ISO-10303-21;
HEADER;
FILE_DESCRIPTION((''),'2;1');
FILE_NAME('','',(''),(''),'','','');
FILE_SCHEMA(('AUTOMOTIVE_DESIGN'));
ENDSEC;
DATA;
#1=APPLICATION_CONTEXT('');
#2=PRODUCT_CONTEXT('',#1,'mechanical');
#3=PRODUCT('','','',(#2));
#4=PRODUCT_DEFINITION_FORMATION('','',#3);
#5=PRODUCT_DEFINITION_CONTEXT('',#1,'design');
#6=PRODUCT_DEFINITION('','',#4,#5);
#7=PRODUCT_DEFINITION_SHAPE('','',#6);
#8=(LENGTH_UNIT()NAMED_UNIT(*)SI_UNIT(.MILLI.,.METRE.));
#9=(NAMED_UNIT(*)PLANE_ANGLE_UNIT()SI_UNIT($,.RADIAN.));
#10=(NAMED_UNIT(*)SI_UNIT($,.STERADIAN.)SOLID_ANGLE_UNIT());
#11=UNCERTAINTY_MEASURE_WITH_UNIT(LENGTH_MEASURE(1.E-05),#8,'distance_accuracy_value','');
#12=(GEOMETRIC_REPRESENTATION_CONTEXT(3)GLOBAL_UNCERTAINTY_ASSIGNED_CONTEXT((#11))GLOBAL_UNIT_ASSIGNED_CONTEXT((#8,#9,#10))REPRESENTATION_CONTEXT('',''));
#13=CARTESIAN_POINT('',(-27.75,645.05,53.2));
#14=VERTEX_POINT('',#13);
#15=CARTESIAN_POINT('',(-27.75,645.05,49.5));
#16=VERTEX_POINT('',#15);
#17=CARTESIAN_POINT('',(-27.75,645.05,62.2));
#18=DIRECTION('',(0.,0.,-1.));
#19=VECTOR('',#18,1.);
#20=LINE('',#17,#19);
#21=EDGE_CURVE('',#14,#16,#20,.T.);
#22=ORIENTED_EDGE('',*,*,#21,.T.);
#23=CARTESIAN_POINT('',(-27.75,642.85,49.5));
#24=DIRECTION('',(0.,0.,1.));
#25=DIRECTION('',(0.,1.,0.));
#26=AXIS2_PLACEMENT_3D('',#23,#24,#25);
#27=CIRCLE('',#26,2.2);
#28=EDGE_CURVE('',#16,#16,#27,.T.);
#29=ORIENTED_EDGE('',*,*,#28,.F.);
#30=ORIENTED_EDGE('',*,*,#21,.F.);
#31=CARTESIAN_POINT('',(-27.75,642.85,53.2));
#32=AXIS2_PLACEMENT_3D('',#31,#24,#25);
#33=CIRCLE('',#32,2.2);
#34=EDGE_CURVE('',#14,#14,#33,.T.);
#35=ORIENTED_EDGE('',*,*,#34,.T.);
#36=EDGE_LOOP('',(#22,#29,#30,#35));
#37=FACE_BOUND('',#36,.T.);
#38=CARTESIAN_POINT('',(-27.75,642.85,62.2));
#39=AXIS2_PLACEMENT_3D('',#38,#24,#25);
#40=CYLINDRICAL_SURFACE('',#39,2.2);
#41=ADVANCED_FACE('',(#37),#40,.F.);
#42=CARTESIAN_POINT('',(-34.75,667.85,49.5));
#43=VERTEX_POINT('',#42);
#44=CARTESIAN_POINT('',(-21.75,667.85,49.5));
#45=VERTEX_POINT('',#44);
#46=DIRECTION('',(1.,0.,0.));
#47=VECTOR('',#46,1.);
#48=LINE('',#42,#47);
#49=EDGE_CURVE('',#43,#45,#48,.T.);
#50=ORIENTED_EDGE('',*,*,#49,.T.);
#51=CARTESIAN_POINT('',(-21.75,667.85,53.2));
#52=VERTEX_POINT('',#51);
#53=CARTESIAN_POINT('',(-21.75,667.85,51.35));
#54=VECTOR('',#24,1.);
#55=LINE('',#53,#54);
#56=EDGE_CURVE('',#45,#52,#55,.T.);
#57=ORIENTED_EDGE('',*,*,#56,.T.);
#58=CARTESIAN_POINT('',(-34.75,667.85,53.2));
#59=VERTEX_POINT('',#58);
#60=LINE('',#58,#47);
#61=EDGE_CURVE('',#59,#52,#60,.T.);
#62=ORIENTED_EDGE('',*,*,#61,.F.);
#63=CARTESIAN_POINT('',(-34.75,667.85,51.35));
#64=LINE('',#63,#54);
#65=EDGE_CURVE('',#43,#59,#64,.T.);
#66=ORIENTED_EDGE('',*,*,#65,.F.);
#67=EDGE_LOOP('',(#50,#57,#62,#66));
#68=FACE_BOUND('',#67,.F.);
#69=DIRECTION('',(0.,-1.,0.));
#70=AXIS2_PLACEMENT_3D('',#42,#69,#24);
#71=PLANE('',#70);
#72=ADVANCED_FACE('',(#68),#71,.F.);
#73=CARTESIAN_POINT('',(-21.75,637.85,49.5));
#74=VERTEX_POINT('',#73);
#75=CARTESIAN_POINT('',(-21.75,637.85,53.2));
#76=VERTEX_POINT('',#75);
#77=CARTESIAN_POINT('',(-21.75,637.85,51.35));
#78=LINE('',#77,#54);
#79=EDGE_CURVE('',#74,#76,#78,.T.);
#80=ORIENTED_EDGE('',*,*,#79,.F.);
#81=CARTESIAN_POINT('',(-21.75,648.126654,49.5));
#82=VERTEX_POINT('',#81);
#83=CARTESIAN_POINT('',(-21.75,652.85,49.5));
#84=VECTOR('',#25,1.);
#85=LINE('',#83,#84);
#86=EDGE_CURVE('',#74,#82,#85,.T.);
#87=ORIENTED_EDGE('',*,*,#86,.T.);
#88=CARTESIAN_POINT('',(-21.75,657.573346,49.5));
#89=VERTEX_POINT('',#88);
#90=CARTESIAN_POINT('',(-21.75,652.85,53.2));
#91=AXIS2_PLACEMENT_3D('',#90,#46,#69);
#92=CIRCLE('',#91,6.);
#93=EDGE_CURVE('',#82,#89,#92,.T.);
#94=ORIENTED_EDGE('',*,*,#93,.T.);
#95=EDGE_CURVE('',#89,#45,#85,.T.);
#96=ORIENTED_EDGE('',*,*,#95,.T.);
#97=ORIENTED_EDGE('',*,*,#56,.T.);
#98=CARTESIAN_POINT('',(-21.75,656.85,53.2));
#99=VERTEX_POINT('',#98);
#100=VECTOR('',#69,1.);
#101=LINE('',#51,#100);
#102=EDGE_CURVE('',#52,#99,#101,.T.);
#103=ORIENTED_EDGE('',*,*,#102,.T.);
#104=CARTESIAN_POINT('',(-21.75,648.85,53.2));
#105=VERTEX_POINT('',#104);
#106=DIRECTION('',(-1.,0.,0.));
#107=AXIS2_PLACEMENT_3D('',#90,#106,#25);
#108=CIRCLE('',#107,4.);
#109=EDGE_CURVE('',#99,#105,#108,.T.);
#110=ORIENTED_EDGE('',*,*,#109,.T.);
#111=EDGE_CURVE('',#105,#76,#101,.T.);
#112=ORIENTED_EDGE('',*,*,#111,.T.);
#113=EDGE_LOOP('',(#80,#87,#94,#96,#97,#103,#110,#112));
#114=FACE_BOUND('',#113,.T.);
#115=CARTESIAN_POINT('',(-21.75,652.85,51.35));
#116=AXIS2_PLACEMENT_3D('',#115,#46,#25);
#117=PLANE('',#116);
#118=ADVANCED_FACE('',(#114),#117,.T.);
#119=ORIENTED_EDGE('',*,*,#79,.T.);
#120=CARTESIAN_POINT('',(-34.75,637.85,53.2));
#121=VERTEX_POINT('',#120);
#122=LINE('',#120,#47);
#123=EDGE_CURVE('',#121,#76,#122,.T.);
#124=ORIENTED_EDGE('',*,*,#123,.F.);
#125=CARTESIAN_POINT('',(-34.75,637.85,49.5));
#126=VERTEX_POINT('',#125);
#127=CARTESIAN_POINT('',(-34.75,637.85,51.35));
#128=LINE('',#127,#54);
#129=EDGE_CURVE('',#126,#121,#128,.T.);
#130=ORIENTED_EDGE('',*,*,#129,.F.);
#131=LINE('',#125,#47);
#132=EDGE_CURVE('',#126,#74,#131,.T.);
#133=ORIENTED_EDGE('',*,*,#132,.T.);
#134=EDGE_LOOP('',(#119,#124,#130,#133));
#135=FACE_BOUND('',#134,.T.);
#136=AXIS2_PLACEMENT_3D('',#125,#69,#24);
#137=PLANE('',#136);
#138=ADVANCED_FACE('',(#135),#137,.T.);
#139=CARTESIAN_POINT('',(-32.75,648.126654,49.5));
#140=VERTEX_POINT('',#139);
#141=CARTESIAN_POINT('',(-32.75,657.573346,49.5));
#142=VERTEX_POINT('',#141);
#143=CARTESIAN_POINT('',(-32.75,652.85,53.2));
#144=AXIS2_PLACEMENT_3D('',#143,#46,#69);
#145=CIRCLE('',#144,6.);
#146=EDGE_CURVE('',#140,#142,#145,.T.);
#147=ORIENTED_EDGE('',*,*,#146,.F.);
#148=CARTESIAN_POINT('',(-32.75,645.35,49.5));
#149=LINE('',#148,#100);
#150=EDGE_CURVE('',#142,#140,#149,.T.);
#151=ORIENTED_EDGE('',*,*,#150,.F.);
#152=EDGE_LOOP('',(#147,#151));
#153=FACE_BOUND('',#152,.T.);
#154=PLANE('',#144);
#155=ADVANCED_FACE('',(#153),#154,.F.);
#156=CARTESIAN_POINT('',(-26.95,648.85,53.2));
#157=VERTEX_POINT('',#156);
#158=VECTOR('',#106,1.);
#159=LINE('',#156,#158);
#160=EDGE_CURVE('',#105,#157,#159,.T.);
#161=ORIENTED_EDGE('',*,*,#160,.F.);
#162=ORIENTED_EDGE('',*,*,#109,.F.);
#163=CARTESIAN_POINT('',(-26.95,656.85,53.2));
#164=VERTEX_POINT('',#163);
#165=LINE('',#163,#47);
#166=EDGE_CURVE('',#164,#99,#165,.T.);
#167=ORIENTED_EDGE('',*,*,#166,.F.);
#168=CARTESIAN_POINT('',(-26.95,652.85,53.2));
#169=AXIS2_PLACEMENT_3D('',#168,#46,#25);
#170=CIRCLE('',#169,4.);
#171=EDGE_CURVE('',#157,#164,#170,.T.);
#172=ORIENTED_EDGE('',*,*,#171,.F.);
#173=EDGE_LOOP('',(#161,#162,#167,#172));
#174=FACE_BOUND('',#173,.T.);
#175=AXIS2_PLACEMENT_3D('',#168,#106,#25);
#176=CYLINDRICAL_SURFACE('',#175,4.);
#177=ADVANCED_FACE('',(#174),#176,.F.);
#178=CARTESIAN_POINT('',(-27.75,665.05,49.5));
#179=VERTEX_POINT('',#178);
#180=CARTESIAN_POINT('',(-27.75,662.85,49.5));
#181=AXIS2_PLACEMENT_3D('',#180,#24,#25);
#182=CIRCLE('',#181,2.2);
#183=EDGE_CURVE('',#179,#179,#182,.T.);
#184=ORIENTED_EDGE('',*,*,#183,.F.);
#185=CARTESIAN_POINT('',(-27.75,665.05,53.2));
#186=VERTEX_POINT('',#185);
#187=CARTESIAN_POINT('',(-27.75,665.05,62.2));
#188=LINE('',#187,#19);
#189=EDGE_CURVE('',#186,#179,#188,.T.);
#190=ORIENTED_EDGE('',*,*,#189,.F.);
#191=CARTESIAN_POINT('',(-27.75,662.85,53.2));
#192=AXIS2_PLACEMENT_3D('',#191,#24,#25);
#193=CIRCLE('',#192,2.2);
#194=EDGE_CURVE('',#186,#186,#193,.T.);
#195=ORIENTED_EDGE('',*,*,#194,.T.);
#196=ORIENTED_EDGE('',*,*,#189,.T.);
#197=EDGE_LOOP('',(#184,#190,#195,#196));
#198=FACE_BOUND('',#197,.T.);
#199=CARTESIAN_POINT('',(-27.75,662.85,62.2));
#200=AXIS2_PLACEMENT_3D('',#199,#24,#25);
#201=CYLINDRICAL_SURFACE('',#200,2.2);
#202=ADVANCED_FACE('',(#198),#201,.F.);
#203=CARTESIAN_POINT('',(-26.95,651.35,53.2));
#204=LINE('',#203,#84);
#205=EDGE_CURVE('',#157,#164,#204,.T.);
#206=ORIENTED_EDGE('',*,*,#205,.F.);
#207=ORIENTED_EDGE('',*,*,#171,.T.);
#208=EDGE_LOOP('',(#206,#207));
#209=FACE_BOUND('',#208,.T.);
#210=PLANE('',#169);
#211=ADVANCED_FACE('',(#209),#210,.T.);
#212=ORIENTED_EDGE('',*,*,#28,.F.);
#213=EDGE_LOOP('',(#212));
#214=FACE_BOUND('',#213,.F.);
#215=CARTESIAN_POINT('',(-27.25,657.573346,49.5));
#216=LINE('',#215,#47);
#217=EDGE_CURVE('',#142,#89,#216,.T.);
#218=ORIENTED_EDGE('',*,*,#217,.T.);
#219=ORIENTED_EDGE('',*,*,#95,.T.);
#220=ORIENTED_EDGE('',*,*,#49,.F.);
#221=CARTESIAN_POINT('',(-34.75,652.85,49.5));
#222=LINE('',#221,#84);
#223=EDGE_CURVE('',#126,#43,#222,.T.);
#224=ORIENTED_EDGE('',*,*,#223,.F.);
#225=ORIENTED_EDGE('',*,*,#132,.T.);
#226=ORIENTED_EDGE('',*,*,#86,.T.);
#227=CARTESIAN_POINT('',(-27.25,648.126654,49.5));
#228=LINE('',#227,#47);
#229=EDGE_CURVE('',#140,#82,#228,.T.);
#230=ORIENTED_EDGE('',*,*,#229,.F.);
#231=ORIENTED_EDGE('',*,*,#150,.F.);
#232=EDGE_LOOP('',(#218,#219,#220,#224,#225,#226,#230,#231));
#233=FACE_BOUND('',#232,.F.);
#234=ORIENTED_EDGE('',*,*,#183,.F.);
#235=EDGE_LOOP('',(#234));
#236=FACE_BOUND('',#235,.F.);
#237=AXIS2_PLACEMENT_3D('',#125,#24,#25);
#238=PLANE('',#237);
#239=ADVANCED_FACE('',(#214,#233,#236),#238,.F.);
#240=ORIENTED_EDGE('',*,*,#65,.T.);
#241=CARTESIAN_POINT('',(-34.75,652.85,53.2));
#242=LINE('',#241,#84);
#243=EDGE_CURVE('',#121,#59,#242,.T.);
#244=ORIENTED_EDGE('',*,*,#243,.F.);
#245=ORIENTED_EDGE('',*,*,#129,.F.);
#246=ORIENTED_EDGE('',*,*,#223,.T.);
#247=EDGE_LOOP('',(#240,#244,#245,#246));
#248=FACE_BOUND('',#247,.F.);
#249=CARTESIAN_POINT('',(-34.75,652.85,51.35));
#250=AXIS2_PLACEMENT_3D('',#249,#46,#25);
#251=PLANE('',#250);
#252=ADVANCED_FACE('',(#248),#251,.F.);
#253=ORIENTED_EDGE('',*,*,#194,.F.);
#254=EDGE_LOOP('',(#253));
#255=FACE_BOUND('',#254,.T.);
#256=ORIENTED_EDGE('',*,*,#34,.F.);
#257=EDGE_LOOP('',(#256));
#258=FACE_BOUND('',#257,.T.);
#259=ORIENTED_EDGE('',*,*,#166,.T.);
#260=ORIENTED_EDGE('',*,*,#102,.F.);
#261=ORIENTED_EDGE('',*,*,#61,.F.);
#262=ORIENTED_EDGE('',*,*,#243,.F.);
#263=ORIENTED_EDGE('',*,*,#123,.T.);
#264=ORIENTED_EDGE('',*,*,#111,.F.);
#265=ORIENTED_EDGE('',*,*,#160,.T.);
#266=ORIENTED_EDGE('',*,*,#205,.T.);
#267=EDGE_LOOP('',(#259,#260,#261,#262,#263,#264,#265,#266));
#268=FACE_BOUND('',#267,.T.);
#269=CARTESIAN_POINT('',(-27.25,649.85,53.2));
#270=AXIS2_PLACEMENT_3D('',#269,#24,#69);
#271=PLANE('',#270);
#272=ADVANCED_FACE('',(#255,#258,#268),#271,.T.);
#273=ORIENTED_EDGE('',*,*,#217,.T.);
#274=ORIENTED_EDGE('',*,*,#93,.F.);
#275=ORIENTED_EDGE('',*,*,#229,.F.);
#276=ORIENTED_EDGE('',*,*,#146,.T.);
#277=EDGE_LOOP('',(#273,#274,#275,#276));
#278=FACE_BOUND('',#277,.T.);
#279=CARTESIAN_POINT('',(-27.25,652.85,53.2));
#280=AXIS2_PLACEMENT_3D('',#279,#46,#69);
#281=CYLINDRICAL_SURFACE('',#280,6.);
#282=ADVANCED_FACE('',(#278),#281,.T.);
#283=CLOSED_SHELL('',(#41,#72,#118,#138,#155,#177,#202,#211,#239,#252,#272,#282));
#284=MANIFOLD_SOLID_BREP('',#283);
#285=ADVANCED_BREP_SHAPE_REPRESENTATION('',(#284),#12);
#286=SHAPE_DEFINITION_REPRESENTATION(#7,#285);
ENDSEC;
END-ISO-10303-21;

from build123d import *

# Parameters (mm, degrees)
CYLINDER073_R          = 2.2
CYLINDER073_DEPTH      = 20
CYLINDER074_R          = 2.2
CYLINDER074_DEPTH      = 20
CYLINDER072_R          = 4
CYLINDER072_DEPTH      = 6.5
CYLINDER071_W          = 6
CYLINDER071_H          = 11
CYLINDER071_ANGLE      = 180
BOX054_W               = 30
BOX054_H               = 3.7
BOX054_DEPTH           = 13
CUT089_ROLL_ANGLE      = 90
CUT089_PLACEMENT_ANGLE = 90


with BuildPart() as zylinder062:
    # Cylinder073 → Cylinder073 (new body)
    with BuildSketch(Plane(origin=(-10, 9, 5), x_dir=(1, 0, 0), z_dir=(0, -1, 0))):
        Circle(CYLINDER073_R)
    extrude(amount=CYLINDER073_DEPTH)


with BuildPart() as zylinder063:
    # Cylinder074 → Cylinder074 (new body)
    with BuildSketch(Plane(origin=(10, 9, 5), x_dir=(1, 0, 0), z_dir=(0, -1, 0))):
        Circle(CYLINDER074_R)
    extrude(amount=CYLINDER074_DEPTH)


with BuildPart() as zylinder061:
    # Cylinder072 → Cylinder072 (new body)
    with BuildSketch(Plane.XY.offset(5.8)):
        Circle(CYLINDER072_R)
    extrude(amount=CYLINDER072_DEPTH)


with BuildPart() as zylinder060:
    # Cylinder071 → Cylinder071 (revolve)
    with BuildSketch(Plane(origin=(0, 0, 0), x_dir=(-1, 0, 0), z_dir=(0, 1, 0))):
        with Locations((3, 5.5)):
            Rectangle(CYLINDER071_W, CYLINDER071_H)
    revolve(axis=Axis((0, 0, 0), (0, 0, 1)), revolution_arc=CYLINDER071_ANGLE)


with BuildPart() as y_drive_mount_top002:
    # Box054 → Box054 (new body)
    with BuildSketch(Plane(origin=(-15, -3.7, -2), x_dir=(1, 0, 0), z_dir=(0, 0, 1))):
        with Locations((15, 1.85)):
            Rectangle(BOX054_W, BOX054_H)
    extrude(amount=BOX054_DEPTH)

    # Fusion041: union Zylinder060
    add(zylinder060.part)

    # Cut081: cut Zylinder061
    add(zylinder061.part, mode=Mode.SUBTRACT)

    # Cut082: cut Zylinder063
    add(zylinder063.part, mode=Mode.SUBTRACT)

    # Cut089: cut Zylinder062
    add(zylinder062.part, mode=Mode.SUBTRACT)


with BuildPart() as y_drive_mount_top002_1:
    # Cut089 roll: moved
    add(y_drive_mount_top002.part.rotate(Axis((0, 0, 0), (1, 0, 0)), CUT089_ROLL_ANGLE))


with BuildPart() as y_drive_mount_top002_2:
    # Cut089 placement: moved
    add(y_drive_mount_top002_1.part.moved(Location((-32.75, 652.85, 53.2))).rotate(Axis((-32.75, 652.85, 53.2), (0, 0, 1)), CUT089_PLACEMENT_ANGLE))


solid = y_drive_mount_top002_2.part
